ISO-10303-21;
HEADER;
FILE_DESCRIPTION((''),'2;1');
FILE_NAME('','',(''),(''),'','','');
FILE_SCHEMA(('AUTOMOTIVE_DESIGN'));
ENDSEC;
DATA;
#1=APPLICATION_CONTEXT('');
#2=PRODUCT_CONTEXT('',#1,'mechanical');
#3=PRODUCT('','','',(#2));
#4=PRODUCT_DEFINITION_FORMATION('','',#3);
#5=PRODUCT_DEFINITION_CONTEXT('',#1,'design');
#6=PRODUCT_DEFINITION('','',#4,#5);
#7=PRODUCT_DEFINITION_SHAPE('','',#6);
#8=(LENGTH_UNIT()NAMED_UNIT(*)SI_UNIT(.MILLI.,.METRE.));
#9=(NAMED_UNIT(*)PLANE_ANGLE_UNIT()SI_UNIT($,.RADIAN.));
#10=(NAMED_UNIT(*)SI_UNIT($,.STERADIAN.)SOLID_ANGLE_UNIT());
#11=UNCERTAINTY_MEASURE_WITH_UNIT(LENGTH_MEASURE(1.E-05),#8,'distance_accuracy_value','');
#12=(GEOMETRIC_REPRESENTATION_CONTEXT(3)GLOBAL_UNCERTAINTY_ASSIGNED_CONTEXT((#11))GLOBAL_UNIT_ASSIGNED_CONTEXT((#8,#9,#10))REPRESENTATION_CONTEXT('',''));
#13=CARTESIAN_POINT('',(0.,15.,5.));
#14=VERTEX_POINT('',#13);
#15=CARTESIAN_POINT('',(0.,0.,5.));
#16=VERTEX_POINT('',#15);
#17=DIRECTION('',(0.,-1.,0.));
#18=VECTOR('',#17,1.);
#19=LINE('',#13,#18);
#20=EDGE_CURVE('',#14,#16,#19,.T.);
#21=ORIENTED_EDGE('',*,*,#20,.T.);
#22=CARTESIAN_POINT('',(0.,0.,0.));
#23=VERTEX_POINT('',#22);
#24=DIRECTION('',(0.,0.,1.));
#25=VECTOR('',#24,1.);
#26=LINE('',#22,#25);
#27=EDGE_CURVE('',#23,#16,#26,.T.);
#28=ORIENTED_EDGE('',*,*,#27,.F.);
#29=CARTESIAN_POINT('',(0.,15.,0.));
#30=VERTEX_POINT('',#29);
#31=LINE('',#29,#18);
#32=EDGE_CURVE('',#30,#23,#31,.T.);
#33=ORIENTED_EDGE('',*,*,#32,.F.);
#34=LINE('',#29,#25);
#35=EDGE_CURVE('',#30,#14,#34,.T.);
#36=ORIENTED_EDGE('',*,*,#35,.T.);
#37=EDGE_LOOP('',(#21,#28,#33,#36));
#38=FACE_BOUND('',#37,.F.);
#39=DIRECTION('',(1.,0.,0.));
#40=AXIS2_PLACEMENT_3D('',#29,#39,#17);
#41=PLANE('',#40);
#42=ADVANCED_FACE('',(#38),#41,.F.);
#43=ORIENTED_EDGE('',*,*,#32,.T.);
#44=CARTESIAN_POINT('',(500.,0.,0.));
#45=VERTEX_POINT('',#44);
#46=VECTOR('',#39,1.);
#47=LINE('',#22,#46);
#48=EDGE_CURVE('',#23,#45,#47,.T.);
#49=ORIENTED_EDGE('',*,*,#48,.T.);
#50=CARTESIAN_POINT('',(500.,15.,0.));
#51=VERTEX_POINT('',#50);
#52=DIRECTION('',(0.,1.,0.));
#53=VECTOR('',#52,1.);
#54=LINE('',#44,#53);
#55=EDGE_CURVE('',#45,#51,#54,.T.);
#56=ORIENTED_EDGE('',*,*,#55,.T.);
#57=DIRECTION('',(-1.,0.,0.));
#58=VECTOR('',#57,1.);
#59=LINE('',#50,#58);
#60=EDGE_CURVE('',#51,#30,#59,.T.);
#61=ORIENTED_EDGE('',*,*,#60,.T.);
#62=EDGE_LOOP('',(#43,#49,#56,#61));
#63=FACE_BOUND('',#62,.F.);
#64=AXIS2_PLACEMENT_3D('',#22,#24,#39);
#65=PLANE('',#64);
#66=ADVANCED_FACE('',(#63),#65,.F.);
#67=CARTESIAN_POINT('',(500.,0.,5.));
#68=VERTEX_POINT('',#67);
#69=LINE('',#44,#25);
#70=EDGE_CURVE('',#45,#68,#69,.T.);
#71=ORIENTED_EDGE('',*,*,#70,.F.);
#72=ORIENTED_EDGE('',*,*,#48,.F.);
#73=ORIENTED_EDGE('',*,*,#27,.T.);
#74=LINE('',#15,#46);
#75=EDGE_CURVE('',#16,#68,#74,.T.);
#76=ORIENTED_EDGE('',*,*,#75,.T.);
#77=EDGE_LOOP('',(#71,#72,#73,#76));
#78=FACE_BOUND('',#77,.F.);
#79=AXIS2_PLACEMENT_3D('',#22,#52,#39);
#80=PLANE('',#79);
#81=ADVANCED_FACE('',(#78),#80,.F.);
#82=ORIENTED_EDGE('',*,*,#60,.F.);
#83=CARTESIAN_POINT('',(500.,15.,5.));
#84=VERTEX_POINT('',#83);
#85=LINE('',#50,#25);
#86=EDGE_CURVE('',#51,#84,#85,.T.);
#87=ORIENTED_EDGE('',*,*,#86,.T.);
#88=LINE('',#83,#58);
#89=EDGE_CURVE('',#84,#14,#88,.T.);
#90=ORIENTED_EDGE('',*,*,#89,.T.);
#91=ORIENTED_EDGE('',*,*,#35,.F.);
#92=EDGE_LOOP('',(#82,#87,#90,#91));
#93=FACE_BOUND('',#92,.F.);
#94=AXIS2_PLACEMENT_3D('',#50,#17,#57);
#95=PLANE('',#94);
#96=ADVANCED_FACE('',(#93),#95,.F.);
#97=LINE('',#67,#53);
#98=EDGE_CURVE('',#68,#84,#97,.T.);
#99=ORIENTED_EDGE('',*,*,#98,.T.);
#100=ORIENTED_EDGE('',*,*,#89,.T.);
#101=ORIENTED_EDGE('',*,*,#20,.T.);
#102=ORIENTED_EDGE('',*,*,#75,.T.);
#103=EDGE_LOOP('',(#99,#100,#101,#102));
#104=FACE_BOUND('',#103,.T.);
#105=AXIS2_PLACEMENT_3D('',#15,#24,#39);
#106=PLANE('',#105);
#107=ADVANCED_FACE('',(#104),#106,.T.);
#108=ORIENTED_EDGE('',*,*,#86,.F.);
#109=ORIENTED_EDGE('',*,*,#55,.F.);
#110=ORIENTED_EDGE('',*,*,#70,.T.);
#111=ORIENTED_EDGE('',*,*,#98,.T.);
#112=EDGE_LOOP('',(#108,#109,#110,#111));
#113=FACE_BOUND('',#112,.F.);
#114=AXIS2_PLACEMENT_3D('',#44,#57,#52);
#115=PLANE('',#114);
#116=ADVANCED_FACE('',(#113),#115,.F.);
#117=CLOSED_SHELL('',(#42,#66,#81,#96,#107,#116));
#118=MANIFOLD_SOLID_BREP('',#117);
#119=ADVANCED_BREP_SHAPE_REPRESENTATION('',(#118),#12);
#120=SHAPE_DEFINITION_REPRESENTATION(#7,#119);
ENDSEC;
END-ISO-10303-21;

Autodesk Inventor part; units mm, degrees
ref_plane "YZ Plane" through (0, 0, 0) normal (1, 0, 0) x (0, 1, 0)
ref_plane "XZ Plane" through (0, 0, 0) normal (0, 1, 0) x (-1, 0, 0)
ref_plane "XY Plane" through (0, 0, 0) normal (0, 0, 1) x (1, 0, 0)
sketch "Sketch1" plane through (0, 0, 0) normal (0, 0, 1) x (1, 0, 0)
  point P0 (0, 0)
sketch "Sketch2" plane through (0, 0, 0) normal (0, 0, 1) x (1, 0, 0)
  line L0 (0, 0) -> (500, 0)
  line L1 (500, 0) -> (500, 15)
  line L2 (500, 15) -> (0, 15)
  line L3 (0, 15) -> (0, 0)
  dimension "d0" = 500
  dimension "d1" = 15
extrude "Extrusion1" add sketch "Sketch2" along normal blind 5
properties part number "straight_line"
